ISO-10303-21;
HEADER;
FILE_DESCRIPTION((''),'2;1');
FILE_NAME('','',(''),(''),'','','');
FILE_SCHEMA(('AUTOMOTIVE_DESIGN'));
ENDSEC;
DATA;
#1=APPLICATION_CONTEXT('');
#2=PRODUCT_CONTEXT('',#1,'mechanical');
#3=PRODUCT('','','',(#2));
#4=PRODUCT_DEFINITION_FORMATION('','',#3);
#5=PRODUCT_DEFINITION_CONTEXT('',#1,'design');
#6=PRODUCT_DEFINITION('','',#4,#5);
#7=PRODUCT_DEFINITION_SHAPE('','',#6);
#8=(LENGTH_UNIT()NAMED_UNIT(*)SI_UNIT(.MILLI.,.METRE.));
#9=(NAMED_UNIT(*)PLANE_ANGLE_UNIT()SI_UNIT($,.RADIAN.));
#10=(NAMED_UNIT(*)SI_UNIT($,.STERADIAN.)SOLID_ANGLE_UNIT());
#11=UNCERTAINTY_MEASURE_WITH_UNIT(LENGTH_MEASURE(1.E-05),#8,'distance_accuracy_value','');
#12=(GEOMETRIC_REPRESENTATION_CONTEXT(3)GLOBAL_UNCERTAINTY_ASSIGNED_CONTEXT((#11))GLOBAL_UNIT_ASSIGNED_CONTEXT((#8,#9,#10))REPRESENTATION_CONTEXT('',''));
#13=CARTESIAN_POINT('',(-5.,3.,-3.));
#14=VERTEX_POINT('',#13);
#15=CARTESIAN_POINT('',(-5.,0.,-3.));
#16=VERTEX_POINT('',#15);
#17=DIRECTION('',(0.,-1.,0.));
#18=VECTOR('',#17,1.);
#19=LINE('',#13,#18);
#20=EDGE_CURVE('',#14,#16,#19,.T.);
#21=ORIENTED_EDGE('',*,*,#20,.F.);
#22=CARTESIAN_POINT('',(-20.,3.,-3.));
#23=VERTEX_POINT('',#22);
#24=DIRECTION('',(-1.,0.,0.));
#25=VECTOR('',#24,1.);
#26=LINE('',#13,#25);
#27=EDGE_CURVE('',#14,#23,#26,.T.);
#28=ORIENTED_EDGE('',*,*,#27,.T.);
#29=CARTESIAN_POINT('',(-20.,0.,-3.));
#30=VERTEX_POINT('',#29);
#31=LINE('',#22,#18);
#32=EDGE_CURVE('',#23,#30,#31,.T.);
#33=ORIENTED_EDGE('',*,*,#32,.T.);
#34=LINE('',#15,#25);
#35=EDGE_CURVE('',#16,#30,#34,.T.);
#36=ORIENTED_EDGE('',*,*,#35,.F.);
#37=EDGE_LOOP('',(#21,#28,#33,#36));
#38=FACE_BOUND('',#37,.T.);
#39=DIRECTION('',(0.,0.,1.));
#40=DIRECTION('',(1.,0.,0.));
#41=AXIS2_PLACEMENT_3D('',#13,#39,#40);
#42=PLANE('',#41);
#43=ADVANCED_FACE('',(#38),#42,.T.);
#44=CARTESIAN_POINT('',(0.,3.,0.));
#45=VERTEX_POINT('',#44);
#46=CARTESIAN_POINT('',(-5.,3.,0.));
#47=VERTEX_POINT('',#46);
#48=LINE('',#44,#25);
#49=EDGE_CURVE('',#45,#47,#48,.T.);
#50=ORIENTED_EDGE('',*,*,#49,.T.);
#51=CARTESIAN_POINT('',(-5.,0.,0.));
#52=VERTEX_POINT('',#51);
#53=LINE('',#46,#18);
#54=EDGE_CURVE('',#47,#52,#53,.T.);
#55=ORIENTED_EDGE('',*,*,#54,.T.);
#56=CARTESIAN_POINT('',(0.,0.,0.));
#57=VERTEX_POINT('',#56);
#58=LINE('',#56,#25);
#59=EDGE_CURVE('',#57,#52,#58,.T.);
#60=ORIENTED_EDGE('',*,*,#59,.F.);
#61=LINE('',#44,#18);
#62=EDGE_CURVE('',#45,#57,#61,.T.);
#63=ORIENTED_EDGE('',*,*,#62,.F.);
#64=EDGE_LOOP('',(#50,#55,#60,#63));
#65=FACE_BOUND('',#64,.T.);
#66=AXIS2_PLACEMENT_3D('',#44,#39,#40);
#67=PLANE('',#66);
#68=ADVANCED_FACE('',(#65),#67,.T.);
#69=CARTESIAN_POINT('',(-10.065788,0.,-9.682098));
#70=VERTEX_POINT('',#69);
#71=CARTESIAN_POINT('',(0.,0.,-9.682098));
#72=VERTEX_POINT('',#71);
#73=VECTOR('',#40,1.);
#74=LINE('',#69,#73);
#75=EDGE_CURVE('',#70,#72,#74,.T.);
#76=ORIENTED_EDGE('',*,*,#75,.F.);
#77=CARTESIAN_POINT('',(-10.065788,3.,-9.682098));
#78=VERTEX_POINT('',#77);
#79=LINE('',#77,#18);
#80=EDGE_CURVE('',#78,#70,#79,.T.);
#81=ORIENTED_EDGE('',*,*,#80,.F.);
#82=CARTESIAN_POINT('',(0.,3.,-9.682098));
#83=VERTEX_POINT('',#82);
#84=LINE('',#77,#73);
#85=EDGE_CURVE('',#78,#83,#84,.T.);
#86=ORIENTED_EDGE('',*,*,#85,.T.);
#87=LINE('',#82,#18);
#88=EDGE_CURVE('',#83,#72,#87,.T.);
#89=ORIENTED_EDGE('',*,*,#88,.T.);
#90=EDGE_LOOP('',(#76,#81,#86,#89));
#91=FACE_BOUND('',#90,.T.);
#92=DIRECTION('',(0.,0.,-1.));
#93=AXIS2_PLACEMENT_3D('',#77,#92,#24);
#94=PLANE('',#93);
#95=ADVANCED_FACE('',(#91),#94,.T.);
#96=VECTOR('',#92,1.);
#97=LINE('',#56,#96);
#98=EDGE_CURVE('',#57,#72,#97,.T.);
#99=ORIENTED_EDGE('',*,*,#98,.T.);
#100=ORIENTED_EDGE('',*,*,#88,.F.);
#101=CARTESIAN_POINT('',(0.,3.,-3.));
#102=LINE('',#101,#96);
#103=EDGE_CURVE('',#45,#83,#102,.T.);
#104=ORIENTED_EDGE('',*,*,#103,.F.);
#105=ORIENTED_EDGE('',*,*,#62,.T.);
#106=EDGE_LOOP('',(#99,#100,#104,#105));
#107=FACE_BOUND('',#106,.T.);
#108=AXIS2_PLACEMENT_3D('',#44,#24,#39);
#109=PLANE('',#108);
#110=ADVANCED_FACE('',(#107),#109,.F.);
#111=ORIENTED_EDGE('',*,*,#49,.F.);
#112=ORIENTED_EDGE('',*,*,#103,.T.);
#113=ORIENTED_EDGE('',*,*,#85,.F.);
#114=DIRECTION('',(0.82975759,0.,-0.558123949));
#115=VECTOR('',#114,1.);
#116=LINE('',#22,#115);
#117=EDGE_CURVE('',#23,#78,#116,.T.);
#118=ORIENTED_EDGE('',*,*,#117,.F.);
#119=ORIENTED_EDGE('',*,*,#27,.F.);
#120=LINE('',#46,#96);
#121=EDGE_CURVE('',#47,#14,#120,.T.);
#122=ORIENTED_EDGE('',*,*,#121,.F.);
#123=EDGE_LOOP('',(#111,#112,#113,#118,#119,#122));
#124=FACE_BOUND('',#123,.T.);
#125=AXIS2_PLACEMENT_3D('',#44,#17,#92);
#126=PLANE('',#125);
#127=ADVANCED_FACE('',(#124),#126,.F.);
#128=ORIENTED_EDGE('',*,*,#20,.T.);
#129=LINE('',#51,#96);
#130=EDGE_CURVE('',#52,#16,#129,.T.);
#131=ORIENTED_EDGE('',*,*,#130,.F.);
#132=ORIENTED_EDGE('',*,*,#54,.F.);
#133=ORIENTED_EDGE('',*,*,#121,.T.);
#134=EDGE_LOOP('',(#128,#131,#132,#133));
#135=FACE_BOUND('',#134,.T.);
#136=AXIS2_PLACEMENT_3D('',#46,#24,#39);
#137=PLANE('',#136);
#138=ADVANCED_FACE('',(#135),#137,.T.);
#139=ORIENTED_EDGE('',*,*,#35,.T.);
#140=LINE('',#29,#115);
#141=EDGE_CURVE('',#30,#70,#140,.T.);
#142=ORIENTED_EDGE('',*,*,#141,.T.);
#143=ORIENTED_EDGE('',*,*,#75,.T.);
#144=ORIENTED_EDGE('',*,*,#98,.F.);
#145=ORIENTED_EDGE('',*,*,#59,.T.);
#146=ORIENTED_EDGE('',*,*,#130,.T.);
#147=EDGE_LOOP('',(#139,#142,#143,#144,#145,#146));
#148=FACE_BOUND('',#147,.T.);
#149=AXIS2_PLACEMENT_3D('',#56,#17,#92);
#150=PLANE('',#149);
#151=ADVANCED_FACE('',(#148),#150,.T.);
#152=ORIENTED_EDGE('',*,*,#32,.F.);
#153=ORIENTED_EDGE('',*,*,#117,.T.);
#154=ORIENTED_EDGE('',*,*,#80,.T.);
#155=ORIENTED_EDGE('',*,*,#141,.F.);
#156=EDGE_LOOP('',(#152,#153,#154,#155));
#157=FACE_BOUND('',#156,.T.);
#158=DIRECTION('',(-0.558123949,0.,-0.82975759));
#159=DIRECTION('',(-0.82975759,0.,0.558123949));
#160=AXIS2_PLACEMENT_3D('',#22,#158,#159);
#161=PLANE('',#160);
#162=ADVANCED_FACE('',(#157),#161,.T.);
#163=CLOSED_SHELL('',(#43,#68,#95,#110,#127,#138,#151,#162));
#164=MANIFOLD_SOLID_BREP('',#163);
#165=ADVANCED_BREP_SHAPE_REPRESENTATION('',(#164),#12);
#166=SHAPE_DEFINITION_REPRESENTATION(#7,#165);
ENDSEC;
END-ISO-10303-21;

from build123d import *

# Parameters (mm, degrees)
BOSS_EXTRUDE1_DEPTH = 3


with BuildPart() as part:
    # Sketch1 → Boss-Extrude1 (new body)
    with BuildSketch(Plane(origin=(0, 0, 0), x_dir=(1, 0, 0), z_dir=(0, 1, 0))):
        Polygon((-20, 3), (-10.065787968, 9.682098142), (0, 9.682098142), (0, 3), (0, 0), (-5, 0), (-5, 3), align=None)
    extrude(amount=BOSS_EXTRUDE1_DEPTH)


solid = part.part
